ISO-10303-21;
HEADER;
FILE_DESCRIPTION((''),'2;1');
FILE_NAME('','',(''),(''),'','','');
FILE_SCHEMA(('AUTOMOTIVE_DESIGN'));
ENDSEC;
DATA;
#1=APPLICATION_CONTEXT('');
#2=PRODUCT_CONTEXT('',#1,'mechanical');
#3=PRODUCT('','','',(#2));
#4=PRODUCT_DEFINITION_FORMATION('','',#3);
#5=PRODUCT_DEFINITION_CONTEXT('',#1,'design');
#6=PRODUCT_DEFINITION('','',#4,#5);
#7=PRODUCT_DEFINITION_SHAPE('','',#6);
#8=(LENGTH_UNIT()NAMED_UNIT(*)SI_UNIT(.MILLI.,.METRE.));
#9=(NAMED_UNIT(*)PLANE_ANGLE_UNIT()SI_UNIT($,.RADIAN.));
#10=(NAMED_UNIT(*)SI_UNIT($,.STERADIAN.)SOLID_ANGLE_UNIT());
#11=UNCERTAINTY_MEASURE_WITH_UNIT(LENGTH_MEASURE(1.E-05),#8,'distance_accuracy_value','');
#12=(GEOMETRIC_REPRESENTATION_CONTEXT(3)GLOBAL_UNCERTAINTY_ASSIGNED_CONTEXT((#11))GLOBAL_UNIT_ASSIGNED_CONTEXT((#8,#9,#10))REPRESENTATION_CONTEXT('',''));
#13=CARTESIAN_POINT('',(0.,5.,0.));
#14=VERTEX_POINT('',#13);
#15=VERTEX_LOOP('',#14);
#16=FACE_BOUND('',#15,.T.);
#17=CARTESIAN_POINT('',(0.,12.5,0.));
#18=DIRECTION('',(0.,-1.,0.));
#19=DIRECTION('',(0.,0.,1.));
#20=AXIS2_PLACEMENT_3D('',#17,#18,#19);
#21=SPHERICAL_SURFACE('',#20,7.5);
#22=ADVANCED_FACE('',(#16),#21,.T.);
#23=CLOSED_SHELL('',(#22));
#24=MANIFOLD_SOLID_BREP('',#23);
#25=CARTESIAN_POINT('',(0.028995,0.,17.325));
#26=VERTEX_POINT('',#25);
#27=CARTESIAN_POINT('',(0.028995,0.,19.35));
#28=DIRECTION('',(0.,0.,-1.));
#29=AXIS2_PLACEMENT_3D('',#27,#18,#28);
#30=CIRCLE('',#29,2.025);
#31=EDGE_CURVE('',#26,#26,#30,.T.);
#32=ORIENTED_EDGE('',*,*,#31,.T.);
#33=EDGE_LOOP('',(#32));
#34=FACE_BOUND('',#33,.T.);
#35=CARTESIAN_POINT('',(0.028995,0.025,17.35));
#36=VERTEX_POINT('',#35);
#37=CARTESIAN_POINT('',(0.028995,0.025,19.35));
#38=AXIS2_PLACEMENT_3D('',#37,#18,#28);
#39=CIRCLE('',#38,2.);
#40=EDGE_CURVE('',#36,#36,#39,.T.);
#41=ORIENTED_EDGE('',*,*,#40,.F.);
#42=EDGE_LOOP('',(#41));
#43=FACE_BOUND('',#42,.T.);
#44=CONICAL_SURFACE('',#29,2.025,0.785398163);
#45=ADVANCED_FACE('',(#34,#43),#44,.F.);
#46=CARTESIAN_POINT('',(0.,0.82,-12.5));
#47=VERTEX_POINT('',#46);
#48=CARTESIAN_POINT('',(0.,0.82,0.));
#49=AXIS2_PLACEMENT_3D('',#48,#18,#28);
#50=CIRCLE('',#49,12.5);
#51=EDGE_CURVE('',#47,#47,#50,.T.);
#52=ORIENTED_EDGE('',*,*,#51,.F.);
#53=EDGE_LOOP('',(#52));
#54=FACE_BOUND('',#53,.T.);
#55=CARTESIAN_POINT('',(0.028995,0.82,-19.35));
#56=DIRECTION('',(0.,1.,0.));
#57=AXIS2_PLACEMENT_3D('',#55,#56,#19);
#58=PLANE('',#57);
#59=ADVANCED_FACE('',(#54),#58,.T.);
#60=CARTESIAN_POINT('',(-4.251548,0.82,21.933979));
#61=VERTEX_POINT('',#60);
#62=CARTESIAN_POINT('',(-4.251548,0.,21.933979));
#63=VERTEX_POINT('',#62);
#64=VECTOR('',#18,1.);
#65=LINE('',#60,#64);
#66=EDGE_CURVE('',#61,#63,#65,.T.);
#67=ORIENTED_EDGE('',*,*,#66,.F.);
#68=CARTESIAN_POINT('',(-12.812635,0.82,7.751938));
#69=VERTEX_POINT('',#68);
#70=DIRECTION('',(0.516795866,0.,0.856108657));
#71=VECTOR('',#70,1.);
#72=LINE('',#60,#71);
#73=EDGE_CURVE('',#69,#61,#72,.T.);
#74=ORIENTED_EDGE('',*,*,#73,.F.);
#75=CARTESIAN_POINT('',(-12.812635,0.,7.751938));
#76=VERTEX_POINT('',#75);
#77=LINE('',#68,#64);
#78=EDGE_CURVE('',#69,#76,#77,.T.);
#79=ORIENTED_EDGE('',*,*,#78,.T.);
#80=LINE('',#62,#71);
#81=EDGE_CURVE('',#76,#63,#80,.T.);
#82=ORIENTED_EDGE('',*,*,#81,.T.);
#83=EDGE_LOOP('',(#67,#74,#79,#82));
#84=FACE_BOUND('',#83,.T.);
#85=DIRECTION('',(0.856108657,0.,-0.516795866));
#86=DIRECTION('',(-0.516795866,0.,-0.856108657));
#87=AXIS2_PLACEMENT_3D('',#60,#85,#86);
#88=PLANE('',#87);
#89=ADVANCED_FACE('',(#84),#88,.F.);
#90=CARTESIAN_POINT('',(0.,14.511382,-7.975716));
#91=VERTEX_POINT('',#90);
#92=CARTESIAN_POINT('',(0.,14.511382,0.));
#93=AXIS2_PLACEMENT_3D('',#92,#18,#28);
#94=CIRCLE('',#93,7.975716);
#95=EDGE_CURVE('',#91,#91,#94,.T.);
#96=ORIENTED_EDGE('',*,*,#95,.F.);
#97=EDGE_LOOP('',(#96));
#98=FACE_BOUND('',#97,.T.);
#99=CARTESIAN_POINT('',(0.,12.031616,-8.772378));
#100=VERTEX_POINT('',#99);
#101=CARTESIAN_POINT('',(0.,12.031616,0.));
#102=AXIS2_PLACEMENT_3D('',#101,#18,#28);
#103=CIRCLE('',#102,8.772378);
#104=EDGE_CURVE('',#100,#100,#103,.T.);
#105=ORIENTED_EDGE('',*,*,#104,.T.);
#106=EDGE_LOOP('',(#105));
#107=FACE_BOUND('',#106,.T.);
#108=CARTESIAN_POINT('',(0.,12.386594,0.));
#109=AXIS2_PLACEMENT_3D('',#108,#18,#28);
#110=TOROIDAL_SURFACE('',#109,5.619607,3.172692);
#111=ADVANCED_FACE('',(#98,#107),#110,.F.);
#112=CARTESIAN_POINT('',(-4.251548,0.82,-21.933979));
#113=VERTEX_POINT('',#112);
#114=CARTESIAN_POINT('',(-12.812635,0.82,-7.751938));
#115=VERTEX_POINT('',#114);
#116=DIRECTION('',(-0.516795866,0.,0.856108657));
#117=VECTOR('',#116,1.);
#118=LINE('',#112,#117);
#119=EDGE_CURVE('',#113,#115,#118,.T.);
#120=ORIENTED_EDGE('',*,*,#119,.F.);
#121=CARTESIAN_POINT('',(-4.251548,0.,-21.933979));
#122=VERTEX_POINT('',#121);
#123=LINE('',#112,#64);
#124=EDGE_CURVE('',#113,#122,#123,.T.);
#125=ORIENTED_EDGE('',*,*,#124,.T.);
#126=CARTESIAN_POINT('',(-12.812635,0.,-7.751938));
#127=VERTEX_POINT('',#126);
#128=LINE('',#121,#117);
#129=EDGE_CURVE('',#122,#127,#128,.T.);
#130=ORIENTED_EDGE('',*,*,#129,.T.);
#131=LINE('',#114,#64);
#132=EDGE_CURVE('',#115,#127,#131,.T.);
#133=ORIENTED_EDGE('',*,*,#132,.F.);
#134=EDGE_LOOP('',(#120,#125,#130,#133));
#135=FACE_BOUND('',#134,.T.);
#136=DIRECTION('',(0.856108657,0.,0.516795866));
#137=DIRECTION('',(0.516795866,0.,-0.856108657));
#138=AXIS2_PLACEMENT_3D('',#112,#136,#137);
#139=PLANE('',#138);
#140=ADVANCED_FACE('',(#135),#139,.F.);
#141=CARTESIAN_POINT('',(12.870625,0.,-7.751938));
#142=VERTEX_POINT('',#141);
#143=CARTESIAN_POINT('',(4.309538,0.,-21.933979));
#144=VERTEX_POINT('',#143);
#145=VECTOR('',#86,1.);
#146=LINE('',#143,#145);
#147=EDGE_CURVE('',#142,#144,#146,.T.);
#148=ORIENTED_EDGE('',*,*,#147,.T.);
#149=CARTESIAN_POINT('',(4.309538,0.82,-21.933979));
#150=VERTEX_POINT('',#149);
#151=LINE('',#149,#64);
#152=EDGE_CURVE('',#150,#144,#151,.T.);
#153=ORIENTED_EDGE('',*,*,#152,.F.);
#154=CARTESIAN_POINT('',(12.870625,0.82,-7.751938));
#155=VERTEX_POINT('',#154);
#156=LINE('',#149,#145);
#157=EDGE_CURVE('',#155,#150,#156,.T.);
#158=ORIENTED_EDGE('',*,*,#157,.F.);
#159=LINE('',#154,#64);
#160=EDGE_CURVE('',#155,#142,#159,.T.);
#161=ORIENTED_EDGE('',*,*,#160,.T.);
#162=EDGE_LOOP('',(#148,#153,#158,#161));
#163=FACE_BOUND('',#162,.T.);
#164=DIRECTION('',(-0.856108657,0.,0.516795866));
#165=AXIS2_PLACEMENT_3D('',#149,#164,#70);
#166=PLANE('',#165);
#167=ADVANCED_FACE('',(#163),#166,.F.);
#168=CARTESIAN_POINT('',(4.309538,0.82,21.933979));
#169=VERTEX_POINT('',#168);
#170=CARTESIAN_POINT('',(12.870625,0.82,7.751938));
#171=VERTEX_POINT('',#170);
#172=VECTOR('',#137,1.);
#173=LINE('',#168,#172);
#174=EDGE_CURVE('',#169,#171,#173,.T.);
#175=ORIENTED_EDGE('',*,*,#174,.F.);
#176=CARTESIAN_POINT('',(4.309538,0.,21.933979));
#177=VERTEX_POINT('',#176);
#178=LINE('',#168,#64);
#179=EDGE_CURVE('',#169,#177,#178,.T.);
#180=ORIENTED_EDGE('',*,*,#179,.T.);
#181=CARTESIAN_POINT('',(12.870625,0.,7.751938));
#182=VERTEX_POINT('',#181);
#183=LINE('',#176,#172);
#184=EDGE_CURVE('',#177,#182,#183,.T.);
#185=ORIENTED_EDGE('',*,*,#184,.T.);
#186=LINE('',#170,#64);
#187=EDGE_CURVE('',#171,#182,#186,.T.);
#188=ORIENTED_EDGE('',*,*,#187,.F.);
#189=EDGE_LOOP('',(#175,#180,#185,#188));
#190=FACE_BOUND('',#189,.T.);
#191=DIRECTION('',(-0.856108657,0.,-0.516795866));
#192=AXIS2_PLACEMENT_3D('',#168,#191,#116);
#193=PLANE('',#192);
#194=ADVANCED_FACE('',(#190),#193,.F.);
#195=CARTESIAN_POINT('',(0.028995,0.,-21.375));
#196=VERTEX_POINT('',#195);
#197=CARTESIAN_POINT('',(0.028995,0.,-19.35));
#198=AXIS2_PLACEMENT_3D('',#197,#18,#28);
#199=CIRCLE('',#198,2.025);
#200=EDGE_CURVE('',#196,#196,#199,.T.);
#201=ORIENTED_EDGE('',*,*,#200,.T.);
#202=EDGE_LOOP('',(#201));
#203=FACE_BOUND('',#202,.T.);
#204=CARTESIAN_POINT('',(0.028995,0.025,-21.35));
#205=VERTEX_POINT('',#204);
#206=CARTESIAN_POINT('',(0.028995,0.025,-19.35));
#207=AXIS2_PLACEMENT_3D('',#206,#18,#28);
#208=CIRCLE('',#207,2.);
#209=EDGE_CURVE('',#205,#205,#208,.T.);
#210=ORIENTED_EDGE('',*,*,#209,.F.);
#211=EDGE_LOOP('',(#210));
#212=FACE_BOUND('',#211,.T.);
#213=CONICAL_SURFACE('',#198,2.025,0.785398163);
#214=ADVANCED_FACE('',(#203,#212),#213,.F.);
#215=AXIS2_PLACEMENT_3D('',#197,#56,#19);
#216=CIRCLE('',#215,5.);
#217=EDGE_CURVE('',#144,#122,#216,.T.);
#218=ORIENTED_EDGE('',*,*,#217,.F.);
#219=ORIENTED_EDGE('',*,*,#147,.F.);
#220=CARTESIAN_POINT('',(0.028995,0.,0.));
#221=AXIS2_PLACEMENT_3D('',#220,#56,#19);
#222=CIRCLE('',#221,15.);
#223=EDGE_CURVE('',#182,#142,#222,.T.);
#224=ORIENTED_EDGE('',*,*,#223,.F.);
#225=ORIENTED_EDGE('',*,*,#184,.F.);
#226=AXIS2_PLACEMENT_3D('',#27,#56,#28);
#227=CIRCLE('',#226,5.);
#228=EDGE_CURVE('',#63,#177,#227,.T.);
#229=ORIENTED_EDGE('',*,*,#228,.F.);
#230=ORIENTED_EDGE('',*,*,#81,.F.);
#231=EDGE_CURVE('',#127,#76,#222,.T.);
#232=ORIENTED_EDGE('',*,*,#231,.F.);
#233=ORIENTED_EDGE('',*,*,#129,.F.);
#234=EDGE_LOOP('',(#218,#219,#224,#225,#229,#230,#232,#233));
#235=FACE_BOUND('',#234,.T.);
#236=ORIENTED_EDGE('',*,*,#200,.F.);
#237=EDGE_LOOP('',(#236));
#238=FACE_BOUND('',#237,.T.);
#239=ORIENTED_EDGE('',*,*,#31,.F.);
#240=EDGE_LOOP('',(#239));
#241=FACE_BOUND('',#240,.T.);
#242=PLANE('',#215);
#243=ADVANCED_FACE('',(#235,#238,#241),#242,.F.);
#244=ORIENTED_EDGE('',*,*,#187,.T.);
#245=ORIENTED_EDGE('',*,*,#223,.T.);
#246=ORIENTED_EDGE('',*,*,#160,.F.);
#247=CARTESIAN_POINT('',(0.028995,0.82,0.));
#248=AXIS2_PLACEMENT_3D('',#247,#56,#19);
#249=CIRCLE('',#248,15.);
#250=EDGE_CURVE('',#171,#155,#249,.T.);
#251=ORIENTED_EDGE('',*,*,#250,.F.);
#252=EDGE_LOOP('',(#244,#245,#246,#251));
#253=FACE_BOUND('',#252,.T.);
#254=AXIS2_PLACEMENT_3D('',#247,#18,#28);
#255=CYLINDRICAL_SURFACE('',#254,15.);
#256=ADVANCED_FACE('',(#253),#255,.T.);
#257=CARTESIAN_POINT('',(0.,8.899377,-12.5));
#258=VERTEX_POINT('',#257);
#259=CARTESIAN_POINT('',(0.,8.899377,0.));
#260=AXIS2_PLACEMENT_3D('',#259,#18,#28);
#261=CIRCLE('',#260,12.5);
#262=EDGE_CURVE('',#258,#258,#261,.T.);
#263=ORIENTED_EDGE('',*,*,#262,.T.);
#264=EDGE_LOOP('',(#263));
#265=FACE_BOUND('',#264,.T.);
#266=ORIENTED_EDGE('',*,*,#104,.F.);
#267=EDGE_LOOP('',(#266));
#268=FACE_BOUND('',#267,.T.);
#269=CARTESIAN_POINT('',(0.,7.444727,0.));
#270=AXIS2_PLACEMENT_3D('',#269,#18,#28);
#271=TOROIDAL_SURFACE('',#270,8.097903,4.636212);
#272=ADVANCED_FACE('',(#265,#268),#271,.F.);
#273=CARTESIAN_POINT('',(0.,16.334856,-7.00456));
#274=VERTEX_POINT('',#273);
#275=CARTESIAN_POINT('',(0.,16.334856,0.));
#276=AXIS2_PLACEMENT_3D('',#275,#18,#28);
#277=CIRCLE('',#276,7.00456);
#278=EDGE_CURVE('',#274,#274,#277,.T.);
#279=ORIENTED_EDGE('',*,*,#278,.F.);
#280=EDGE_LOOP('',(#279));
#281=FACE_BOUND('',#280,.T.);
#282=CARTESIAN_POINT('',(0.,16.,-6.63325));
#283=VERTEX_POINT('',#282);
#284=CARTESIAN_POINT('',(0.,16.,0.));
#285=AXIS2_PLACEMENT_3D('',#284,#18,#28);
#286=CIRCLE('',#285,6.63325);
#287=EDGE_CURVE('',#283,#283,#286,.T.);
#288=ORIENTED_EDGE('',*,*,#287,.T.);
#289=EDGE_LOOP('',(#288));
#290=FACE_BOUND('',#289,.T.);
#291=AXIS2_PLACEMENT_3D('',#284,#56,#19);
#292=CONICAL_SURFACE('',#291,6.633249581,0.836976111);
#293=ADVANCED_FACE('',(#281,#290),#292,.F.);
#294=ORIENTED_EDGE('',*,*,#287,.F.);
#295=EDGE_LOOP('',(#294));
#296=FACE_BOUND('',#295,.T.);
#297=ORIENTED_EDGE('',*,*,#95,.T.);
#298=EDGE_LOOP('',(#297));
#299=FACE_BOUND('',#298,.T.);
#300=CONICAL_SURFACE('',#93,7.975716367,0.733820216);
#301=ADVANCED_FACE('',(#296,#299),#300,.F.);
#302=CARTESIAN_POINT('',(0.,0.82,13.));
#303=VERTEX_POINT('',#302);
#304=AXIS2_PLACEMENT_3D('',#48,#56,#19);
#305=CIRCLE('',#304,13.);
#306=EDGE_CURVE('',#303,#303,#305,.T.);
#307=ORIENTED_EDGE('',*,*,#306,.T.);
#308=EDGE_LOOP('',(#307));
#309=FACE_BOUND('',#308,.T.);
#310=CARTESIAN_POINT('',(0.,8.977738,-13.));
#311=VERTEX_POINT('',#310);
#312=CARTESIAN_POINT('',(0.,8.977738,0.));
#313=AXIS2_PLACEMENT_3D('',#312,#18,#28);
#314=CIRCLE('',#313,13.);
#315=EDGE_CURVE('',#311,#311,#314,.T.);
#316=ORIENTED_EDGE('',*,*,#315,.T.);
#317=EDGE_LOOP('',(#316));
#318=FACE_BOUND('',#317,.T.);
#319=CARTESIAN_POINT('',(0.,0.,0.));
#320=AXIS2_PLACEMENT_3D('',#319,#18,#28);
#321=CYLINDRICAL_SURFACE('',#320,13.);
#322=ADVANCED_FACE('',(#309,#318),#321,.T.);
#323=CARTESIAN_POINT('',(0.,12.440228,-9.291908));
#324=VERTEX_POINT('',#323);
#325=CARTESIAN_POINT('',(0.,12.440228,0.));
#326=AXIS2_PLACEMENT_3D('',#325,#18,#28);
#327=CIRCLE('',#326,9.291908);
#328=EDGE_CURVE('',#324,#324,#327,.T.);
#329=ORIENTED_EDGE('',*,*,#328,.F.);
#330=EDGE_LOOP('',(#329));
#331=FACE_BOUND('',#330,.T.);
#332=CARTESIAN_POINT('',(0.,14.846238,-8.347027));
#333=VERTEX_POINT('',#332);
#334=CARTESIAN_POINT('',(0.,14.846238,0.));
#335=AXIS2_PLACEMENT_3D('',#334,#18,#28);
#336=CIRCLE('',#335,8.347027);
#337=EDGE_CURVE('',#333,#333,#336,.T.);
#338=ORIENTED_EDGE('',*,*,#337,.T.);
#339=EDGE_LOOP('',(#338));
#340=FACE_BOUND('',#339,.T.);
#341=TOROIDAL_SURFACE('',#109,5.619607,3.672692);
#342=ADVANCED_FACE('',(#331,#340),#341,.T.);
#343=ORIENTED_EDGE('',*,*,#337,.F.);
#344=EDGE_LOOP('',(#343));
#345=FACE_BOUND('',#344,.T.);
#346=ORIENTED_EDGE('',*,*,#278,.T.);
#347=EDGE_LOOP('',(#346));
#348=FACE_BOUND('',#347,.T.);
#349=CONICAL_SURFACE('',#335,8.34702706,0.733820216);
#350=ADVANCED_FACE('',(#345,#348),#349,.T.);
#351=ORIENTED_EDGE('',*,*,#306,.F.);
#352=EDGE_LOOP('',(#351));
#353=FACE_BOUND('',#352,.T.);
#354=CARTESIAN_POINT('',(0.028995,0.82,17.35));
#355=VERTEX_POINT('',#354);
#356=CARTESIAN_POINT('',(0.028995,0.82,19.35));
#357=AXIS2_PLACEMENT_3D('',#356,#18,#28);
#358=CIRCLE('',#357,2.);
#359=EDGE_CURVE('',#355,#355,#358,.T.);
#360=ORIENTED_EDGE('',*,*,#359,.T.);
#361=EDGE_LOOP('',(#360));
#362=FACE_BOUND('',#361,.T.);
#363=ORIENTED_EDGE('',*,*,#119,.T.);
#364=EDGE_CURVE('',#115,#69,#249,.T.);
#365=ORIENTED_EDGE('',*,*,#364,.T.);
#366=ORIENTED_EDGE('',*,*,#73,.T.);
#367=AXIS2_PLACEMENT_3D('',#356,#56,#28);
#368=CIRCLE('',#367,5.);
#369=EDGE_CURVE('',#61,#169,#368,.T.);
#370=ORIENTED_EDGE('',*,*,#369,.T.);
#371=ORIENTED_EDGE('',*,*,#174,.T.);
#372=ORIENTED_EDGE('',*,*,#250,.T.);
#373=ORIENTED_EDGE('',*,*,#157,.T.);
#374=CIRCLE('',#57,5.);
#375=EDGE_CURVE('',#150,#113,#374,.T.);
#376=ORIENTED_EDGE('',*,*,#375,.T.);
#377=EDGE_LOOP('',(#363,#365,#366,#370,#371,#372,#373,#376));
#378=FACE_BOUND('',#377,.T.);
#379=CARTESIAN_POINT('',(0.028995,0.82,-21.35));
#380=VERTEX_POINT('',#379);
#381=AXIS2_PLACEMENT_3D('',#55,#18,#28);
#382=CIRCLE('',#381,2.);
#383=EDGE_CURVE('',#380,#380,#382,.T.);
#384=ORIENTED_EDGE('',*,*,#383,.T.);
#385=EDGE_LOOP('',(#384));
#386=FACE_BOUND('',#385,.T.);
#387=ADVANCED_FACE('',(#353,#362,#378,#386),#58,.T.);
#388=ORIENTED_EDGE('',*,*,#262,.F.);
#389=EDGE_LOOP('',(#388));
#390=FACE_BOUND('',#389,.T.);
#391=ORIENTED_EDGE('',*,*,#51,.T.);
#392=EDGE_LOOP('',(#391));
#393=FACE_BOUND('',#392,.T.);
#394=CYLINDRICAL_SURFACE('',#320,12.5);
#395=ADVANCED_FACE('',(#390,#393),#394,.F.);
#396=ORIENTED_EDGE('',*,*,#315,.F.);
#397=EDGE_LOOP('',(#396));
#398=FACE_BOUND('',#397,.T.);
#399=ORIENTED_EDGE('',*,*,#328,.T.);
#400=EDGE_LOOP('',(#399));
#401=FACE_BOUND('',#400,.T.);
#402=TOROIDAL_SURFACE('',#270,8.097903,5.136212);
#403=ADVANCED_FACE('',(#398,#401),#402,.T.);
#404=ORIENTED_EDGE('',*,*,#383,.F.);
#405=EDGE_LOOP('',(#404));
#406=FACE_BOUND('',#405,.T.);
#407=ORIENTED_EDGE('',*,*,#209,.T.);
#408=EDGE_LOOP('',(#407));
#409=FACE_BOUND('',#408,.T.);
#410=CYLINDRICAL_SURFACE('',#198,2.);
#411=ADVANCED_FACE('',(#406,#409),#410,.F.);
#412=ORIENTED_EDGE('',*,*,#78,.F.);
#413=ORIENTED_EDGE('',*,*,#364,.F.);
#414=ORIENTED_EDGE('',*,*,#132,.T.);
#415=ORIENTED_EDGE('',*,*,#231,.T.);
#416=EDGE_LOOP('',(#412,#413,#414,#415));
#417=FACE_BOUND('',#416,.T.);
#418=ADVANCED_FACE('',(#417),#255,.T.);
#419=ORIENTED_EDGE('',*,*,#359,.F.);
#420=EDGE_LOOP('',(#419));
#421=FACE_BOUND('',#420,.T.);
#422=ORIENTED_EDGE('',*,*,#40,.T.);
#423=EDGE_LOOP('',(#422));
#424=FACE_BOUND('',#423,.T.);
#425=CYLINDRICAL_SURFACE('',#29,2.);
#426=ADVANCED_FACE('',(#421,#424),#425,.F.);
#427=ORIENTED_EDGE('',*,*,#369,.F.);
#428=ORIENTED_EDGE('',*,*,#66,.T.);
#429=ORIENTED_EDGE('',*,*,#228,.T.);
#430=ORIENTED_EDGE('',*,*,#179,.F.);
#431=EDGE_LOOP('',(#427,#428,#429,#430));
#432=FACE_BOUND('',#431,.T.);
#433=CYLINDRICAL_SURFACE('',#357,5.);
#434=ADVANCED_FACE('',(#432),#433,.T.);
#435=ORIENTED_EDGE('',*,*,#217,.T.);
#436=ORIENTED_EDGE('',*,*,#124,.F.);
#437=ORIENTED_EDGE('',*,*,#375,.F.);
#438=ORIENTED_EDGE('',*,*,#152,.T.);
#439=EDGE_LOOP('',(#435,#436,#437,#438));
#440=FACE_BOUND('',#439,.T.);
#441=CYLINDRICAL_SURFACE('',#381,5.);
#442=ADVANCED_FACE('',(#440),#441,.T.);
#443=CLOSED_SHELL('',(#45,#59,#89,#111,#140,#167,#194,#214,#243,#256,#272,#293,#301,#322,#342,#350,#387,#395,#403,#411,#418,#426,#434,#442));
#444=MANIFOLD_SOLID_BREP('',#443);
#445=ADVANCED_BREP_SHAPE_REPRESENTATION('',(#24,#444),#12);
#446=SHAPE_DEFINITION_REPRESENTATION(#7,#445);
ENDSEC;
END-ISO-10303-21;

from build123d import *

# Parameters (mm, degrees)
BASE_DEPTH                     = 0.82
F_4_0MM_DOWEL_HOLE1_AT_2_COUNT = 2
F_4_0MM_DOWEL_HOLE1_AT_2_PITCH = 38.7


with BuildPart() as part:
    # Sketch1 → base (new body)
    with BuildSketch(Plane(origin=(0, 0, 0), x_dir=(1, 0, 0), z_dir=(0, 1, 0))):
        with BuildLine():
            Line((-4.25154814, 21.933979328), (-12.812634714, 7.751937984))
            ThreePointArc((-12.812634714, 7.751937984), (-14.971004853, 0), (-12.812634714, -7.751937984))
            Line((-12.812634714, -7.751937984), (-4.25154814, -21.933979328))
            ThreePointArc((-4.25154814, -21.933979328), (0.028995147, -24.35), (4.309538434, -21.933979328))
            Line((4.309538434, -21.933979328), (12.870625008, -7.751937984))
            ThreePointArc((12.870625008, -7.751937984), (15.028995147, 0), (12.870625008, 7.751937984))
            Line((12.870625008, 7.751937984), (4.309538434, 21.933979328))
            ThreePointArc((4.309538434, 21.933979328), (0.028995147, 24.35), (-4.25154814, 21.933979328))
        make_face()
    extrude(amount=BASE_DEPTH)

    # Sketch7 → Ø4.0mm Dowel Hole1 (revolve, cut)
    with BuildSketch(Plane(origin=(0.028995147, 0, 19.35), x_dir=(0, 0, -1), z_dir=(1, 0, 0))):
        Polygon((0, 0), (0, 0.82), (2, 0.82), (2, 0.025), (2.025, 0), align=None)
    f_4_0mm_dowel_hole1 = revolve(axis=Axis((0.028995147, -6.35, 19.35), (0, 1, 0)), mode=Mode.SUBTRACT)

    # Ø4.0mm Dowel Hole1 at 2: Ø4.0mm Dowel Hole1 ×2
    with Locations(*[(0, 0, -i * F_4_0MM_DOWEL_HOLE1_AT_2_PITCH) for i in range(1, F_4_0MM_DOWEL_HOLE1_AT_2_COUNT)]):
        add(f_4_0mm_dowel_hole1, mode=Mode.SUBTRACT)



with BuildPart() as body_2:
    # Sketch3 → ball (revolve)
    with BuildSketch(Plane(origin=(0, 0, 0), x_dir=(0, 0, -1), z_dir=(1, 0, 0))):
        with BuildLine():
            Line((0, 20), (0, 5))
            ThreePointArc((0, 5), (7.5, 12.5), (0, 20))
        make_face()
    revolve(axis=Axis((0, 0, 0), (0, 1, 0)))


with BuildPart() as part_1:
    add(part.part)

    add(body_2.part)  # ball-casing merges body 2
    # Sketch5 → ball-casing (revolve)
    with BuildSketch(Plane.XY, mode=Mode.PRIVATE) as ball_casing_sk:
        with BuildLine():
            Line((12.5, 0.82), (12.5, 8.899377385))
            ThreePointArc((12.5, 8.899377385), (11.08045669, 10.994211459), (8.772378447, 12.031615828))
            ThreePointArc((8.772378447, 12.031615828), (8.640244739, 13.357018823), (7.975716367, 14.511382049))
            Line((7.975716367, 14.511382049), (6.633249581, 16))
            Line((6.633249581, 16), (7.004560273, 16.334855744))
            Line((7.004560273, 16.334855744), (8.34702706, 14.846237794))
            ThreePointArc((8.34702706, 14.846237794), (9.038134101, 13.729107064), (9.291907773, 12.44022812))
            ThreePointArc((9.291907773, 12.44022812), (11.603302205, 11.198772196), (13, 8.977738136))
            Line((13, 8.977738136), (13, 0.82))
            Line((13, 0.82), (12.5, 0.82))
        make_face()
    revolve(ball_casing_sk.sketch.rotate(Axis((0, 0, 0), (0, 1, 0)), 90), axis=Axis((0, 0, 0), (0, 1, 0)))


solid = part_1.part
